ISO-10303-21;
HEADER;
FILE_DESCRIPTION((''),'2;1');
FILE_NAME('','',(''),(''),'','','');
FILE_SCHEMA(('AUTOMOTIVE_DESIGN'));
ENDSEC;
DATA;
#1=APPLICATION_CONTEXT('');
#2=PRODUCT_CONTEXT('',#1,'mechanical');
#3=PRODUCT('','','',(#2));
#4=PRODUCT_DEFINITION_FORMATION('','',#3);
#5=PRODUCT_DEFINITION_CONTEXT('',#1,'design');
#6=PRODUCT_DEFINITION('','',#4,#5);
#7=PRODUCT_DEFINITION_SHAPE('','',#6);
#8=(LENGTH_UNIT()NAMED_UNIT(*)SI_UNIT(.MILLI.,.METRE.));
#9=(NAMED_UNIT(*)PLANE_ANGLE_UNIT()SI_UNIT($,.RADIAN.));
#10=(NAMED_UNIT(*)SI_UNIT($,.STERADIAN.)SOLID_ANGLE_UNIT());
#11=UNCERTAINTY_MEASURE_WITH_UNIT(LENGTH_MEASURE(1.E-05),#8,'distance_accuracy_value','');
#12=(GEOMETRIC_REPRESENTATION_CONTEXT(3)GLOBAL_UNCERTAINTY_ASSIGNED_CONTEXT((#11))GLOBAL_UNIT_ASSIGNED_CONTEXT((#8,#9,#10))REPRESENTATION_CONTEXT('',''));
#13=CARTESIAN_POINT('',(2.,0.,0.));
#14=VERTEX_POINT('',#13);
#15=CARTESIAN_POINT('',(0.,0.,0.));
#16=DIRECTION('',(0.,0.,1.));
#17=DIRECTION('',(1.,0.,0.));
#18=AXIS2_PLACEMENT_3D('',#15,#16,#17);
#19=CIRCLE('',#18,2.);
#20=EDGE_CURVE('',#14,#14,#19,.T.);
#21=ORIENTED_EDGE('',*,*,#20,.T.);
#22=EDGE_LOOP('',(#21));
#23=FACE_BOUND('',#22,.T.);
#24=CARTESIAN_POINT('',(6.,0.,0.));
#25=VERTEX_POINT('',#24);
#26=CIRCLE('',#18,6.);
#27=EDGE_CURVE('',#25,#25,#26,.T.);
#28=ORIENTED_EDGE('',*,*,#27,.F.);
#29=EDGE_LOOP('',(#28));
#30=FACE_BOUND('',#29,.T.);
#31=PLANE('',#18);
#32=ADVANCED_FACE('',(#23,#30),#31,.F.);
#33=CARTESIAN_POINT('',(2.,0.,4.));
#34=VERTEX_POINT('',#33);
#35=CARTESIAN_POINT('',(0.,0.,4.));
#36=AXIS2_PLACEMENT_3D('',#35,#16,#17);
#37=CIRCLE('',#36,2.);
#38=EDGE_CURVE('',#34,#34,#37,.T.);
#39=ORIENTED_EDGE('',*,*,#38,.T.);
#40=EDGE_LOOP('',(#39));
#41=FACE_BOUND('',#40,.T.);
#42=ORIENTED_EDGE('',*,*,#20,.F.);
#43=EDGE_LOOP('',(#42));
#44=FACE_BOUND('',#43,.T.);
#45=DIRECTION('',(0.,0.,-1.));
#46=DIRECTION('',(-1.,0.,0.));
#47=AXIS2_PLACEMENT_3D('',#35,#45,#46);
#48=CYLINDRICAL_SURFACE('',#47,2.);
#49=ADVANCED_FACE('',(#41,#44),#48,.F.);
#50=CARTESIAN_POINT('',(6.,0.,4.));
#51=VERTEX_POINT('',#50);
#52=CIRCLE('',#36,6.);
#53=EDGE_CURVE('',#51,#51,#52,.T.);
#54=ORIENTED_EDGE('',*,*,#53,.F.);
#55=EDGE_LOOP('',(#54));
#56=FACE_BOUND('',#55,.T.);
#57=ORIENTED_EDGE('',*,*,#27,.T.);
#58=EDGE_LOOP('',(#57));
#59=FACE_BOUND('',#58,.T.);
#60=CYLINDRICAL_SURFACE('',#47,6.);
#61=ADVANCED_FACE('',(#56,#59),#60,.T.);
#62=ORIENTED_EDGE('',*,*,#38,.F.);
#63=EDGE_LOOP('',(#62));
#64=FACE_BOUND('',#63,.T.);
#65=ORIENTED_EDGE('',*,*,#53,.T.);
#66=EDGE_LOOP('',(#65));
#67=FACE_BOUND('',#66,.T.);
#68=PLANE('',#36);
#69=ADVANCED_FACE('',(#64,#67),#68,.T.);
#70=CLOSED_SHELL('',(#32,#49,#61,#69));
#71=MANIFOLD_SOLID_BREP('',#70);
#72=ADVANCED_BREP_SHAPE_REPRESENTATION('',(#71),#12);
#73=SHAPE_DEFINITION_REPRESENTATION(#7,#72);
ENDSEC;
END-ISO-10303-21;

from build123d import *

# Parameters (mm, degrees)
SKETCH_1_R      = 6
SKETCH_1_R_2    = 2
EXTRUDE_1_DEPTH = 4


with BuildPart() as part:
    # 草图1 → 凸台-拉伸1 (new body)
    with BuildSketch(Plane.XY):
        Circle(SKETCH_1_R)
        Circle(SKETCH_1_R_2, mode=Mode.SUBTRACT)
    extrude(amount=EXTRUDE_1_DEPTH)


solid = part.part
